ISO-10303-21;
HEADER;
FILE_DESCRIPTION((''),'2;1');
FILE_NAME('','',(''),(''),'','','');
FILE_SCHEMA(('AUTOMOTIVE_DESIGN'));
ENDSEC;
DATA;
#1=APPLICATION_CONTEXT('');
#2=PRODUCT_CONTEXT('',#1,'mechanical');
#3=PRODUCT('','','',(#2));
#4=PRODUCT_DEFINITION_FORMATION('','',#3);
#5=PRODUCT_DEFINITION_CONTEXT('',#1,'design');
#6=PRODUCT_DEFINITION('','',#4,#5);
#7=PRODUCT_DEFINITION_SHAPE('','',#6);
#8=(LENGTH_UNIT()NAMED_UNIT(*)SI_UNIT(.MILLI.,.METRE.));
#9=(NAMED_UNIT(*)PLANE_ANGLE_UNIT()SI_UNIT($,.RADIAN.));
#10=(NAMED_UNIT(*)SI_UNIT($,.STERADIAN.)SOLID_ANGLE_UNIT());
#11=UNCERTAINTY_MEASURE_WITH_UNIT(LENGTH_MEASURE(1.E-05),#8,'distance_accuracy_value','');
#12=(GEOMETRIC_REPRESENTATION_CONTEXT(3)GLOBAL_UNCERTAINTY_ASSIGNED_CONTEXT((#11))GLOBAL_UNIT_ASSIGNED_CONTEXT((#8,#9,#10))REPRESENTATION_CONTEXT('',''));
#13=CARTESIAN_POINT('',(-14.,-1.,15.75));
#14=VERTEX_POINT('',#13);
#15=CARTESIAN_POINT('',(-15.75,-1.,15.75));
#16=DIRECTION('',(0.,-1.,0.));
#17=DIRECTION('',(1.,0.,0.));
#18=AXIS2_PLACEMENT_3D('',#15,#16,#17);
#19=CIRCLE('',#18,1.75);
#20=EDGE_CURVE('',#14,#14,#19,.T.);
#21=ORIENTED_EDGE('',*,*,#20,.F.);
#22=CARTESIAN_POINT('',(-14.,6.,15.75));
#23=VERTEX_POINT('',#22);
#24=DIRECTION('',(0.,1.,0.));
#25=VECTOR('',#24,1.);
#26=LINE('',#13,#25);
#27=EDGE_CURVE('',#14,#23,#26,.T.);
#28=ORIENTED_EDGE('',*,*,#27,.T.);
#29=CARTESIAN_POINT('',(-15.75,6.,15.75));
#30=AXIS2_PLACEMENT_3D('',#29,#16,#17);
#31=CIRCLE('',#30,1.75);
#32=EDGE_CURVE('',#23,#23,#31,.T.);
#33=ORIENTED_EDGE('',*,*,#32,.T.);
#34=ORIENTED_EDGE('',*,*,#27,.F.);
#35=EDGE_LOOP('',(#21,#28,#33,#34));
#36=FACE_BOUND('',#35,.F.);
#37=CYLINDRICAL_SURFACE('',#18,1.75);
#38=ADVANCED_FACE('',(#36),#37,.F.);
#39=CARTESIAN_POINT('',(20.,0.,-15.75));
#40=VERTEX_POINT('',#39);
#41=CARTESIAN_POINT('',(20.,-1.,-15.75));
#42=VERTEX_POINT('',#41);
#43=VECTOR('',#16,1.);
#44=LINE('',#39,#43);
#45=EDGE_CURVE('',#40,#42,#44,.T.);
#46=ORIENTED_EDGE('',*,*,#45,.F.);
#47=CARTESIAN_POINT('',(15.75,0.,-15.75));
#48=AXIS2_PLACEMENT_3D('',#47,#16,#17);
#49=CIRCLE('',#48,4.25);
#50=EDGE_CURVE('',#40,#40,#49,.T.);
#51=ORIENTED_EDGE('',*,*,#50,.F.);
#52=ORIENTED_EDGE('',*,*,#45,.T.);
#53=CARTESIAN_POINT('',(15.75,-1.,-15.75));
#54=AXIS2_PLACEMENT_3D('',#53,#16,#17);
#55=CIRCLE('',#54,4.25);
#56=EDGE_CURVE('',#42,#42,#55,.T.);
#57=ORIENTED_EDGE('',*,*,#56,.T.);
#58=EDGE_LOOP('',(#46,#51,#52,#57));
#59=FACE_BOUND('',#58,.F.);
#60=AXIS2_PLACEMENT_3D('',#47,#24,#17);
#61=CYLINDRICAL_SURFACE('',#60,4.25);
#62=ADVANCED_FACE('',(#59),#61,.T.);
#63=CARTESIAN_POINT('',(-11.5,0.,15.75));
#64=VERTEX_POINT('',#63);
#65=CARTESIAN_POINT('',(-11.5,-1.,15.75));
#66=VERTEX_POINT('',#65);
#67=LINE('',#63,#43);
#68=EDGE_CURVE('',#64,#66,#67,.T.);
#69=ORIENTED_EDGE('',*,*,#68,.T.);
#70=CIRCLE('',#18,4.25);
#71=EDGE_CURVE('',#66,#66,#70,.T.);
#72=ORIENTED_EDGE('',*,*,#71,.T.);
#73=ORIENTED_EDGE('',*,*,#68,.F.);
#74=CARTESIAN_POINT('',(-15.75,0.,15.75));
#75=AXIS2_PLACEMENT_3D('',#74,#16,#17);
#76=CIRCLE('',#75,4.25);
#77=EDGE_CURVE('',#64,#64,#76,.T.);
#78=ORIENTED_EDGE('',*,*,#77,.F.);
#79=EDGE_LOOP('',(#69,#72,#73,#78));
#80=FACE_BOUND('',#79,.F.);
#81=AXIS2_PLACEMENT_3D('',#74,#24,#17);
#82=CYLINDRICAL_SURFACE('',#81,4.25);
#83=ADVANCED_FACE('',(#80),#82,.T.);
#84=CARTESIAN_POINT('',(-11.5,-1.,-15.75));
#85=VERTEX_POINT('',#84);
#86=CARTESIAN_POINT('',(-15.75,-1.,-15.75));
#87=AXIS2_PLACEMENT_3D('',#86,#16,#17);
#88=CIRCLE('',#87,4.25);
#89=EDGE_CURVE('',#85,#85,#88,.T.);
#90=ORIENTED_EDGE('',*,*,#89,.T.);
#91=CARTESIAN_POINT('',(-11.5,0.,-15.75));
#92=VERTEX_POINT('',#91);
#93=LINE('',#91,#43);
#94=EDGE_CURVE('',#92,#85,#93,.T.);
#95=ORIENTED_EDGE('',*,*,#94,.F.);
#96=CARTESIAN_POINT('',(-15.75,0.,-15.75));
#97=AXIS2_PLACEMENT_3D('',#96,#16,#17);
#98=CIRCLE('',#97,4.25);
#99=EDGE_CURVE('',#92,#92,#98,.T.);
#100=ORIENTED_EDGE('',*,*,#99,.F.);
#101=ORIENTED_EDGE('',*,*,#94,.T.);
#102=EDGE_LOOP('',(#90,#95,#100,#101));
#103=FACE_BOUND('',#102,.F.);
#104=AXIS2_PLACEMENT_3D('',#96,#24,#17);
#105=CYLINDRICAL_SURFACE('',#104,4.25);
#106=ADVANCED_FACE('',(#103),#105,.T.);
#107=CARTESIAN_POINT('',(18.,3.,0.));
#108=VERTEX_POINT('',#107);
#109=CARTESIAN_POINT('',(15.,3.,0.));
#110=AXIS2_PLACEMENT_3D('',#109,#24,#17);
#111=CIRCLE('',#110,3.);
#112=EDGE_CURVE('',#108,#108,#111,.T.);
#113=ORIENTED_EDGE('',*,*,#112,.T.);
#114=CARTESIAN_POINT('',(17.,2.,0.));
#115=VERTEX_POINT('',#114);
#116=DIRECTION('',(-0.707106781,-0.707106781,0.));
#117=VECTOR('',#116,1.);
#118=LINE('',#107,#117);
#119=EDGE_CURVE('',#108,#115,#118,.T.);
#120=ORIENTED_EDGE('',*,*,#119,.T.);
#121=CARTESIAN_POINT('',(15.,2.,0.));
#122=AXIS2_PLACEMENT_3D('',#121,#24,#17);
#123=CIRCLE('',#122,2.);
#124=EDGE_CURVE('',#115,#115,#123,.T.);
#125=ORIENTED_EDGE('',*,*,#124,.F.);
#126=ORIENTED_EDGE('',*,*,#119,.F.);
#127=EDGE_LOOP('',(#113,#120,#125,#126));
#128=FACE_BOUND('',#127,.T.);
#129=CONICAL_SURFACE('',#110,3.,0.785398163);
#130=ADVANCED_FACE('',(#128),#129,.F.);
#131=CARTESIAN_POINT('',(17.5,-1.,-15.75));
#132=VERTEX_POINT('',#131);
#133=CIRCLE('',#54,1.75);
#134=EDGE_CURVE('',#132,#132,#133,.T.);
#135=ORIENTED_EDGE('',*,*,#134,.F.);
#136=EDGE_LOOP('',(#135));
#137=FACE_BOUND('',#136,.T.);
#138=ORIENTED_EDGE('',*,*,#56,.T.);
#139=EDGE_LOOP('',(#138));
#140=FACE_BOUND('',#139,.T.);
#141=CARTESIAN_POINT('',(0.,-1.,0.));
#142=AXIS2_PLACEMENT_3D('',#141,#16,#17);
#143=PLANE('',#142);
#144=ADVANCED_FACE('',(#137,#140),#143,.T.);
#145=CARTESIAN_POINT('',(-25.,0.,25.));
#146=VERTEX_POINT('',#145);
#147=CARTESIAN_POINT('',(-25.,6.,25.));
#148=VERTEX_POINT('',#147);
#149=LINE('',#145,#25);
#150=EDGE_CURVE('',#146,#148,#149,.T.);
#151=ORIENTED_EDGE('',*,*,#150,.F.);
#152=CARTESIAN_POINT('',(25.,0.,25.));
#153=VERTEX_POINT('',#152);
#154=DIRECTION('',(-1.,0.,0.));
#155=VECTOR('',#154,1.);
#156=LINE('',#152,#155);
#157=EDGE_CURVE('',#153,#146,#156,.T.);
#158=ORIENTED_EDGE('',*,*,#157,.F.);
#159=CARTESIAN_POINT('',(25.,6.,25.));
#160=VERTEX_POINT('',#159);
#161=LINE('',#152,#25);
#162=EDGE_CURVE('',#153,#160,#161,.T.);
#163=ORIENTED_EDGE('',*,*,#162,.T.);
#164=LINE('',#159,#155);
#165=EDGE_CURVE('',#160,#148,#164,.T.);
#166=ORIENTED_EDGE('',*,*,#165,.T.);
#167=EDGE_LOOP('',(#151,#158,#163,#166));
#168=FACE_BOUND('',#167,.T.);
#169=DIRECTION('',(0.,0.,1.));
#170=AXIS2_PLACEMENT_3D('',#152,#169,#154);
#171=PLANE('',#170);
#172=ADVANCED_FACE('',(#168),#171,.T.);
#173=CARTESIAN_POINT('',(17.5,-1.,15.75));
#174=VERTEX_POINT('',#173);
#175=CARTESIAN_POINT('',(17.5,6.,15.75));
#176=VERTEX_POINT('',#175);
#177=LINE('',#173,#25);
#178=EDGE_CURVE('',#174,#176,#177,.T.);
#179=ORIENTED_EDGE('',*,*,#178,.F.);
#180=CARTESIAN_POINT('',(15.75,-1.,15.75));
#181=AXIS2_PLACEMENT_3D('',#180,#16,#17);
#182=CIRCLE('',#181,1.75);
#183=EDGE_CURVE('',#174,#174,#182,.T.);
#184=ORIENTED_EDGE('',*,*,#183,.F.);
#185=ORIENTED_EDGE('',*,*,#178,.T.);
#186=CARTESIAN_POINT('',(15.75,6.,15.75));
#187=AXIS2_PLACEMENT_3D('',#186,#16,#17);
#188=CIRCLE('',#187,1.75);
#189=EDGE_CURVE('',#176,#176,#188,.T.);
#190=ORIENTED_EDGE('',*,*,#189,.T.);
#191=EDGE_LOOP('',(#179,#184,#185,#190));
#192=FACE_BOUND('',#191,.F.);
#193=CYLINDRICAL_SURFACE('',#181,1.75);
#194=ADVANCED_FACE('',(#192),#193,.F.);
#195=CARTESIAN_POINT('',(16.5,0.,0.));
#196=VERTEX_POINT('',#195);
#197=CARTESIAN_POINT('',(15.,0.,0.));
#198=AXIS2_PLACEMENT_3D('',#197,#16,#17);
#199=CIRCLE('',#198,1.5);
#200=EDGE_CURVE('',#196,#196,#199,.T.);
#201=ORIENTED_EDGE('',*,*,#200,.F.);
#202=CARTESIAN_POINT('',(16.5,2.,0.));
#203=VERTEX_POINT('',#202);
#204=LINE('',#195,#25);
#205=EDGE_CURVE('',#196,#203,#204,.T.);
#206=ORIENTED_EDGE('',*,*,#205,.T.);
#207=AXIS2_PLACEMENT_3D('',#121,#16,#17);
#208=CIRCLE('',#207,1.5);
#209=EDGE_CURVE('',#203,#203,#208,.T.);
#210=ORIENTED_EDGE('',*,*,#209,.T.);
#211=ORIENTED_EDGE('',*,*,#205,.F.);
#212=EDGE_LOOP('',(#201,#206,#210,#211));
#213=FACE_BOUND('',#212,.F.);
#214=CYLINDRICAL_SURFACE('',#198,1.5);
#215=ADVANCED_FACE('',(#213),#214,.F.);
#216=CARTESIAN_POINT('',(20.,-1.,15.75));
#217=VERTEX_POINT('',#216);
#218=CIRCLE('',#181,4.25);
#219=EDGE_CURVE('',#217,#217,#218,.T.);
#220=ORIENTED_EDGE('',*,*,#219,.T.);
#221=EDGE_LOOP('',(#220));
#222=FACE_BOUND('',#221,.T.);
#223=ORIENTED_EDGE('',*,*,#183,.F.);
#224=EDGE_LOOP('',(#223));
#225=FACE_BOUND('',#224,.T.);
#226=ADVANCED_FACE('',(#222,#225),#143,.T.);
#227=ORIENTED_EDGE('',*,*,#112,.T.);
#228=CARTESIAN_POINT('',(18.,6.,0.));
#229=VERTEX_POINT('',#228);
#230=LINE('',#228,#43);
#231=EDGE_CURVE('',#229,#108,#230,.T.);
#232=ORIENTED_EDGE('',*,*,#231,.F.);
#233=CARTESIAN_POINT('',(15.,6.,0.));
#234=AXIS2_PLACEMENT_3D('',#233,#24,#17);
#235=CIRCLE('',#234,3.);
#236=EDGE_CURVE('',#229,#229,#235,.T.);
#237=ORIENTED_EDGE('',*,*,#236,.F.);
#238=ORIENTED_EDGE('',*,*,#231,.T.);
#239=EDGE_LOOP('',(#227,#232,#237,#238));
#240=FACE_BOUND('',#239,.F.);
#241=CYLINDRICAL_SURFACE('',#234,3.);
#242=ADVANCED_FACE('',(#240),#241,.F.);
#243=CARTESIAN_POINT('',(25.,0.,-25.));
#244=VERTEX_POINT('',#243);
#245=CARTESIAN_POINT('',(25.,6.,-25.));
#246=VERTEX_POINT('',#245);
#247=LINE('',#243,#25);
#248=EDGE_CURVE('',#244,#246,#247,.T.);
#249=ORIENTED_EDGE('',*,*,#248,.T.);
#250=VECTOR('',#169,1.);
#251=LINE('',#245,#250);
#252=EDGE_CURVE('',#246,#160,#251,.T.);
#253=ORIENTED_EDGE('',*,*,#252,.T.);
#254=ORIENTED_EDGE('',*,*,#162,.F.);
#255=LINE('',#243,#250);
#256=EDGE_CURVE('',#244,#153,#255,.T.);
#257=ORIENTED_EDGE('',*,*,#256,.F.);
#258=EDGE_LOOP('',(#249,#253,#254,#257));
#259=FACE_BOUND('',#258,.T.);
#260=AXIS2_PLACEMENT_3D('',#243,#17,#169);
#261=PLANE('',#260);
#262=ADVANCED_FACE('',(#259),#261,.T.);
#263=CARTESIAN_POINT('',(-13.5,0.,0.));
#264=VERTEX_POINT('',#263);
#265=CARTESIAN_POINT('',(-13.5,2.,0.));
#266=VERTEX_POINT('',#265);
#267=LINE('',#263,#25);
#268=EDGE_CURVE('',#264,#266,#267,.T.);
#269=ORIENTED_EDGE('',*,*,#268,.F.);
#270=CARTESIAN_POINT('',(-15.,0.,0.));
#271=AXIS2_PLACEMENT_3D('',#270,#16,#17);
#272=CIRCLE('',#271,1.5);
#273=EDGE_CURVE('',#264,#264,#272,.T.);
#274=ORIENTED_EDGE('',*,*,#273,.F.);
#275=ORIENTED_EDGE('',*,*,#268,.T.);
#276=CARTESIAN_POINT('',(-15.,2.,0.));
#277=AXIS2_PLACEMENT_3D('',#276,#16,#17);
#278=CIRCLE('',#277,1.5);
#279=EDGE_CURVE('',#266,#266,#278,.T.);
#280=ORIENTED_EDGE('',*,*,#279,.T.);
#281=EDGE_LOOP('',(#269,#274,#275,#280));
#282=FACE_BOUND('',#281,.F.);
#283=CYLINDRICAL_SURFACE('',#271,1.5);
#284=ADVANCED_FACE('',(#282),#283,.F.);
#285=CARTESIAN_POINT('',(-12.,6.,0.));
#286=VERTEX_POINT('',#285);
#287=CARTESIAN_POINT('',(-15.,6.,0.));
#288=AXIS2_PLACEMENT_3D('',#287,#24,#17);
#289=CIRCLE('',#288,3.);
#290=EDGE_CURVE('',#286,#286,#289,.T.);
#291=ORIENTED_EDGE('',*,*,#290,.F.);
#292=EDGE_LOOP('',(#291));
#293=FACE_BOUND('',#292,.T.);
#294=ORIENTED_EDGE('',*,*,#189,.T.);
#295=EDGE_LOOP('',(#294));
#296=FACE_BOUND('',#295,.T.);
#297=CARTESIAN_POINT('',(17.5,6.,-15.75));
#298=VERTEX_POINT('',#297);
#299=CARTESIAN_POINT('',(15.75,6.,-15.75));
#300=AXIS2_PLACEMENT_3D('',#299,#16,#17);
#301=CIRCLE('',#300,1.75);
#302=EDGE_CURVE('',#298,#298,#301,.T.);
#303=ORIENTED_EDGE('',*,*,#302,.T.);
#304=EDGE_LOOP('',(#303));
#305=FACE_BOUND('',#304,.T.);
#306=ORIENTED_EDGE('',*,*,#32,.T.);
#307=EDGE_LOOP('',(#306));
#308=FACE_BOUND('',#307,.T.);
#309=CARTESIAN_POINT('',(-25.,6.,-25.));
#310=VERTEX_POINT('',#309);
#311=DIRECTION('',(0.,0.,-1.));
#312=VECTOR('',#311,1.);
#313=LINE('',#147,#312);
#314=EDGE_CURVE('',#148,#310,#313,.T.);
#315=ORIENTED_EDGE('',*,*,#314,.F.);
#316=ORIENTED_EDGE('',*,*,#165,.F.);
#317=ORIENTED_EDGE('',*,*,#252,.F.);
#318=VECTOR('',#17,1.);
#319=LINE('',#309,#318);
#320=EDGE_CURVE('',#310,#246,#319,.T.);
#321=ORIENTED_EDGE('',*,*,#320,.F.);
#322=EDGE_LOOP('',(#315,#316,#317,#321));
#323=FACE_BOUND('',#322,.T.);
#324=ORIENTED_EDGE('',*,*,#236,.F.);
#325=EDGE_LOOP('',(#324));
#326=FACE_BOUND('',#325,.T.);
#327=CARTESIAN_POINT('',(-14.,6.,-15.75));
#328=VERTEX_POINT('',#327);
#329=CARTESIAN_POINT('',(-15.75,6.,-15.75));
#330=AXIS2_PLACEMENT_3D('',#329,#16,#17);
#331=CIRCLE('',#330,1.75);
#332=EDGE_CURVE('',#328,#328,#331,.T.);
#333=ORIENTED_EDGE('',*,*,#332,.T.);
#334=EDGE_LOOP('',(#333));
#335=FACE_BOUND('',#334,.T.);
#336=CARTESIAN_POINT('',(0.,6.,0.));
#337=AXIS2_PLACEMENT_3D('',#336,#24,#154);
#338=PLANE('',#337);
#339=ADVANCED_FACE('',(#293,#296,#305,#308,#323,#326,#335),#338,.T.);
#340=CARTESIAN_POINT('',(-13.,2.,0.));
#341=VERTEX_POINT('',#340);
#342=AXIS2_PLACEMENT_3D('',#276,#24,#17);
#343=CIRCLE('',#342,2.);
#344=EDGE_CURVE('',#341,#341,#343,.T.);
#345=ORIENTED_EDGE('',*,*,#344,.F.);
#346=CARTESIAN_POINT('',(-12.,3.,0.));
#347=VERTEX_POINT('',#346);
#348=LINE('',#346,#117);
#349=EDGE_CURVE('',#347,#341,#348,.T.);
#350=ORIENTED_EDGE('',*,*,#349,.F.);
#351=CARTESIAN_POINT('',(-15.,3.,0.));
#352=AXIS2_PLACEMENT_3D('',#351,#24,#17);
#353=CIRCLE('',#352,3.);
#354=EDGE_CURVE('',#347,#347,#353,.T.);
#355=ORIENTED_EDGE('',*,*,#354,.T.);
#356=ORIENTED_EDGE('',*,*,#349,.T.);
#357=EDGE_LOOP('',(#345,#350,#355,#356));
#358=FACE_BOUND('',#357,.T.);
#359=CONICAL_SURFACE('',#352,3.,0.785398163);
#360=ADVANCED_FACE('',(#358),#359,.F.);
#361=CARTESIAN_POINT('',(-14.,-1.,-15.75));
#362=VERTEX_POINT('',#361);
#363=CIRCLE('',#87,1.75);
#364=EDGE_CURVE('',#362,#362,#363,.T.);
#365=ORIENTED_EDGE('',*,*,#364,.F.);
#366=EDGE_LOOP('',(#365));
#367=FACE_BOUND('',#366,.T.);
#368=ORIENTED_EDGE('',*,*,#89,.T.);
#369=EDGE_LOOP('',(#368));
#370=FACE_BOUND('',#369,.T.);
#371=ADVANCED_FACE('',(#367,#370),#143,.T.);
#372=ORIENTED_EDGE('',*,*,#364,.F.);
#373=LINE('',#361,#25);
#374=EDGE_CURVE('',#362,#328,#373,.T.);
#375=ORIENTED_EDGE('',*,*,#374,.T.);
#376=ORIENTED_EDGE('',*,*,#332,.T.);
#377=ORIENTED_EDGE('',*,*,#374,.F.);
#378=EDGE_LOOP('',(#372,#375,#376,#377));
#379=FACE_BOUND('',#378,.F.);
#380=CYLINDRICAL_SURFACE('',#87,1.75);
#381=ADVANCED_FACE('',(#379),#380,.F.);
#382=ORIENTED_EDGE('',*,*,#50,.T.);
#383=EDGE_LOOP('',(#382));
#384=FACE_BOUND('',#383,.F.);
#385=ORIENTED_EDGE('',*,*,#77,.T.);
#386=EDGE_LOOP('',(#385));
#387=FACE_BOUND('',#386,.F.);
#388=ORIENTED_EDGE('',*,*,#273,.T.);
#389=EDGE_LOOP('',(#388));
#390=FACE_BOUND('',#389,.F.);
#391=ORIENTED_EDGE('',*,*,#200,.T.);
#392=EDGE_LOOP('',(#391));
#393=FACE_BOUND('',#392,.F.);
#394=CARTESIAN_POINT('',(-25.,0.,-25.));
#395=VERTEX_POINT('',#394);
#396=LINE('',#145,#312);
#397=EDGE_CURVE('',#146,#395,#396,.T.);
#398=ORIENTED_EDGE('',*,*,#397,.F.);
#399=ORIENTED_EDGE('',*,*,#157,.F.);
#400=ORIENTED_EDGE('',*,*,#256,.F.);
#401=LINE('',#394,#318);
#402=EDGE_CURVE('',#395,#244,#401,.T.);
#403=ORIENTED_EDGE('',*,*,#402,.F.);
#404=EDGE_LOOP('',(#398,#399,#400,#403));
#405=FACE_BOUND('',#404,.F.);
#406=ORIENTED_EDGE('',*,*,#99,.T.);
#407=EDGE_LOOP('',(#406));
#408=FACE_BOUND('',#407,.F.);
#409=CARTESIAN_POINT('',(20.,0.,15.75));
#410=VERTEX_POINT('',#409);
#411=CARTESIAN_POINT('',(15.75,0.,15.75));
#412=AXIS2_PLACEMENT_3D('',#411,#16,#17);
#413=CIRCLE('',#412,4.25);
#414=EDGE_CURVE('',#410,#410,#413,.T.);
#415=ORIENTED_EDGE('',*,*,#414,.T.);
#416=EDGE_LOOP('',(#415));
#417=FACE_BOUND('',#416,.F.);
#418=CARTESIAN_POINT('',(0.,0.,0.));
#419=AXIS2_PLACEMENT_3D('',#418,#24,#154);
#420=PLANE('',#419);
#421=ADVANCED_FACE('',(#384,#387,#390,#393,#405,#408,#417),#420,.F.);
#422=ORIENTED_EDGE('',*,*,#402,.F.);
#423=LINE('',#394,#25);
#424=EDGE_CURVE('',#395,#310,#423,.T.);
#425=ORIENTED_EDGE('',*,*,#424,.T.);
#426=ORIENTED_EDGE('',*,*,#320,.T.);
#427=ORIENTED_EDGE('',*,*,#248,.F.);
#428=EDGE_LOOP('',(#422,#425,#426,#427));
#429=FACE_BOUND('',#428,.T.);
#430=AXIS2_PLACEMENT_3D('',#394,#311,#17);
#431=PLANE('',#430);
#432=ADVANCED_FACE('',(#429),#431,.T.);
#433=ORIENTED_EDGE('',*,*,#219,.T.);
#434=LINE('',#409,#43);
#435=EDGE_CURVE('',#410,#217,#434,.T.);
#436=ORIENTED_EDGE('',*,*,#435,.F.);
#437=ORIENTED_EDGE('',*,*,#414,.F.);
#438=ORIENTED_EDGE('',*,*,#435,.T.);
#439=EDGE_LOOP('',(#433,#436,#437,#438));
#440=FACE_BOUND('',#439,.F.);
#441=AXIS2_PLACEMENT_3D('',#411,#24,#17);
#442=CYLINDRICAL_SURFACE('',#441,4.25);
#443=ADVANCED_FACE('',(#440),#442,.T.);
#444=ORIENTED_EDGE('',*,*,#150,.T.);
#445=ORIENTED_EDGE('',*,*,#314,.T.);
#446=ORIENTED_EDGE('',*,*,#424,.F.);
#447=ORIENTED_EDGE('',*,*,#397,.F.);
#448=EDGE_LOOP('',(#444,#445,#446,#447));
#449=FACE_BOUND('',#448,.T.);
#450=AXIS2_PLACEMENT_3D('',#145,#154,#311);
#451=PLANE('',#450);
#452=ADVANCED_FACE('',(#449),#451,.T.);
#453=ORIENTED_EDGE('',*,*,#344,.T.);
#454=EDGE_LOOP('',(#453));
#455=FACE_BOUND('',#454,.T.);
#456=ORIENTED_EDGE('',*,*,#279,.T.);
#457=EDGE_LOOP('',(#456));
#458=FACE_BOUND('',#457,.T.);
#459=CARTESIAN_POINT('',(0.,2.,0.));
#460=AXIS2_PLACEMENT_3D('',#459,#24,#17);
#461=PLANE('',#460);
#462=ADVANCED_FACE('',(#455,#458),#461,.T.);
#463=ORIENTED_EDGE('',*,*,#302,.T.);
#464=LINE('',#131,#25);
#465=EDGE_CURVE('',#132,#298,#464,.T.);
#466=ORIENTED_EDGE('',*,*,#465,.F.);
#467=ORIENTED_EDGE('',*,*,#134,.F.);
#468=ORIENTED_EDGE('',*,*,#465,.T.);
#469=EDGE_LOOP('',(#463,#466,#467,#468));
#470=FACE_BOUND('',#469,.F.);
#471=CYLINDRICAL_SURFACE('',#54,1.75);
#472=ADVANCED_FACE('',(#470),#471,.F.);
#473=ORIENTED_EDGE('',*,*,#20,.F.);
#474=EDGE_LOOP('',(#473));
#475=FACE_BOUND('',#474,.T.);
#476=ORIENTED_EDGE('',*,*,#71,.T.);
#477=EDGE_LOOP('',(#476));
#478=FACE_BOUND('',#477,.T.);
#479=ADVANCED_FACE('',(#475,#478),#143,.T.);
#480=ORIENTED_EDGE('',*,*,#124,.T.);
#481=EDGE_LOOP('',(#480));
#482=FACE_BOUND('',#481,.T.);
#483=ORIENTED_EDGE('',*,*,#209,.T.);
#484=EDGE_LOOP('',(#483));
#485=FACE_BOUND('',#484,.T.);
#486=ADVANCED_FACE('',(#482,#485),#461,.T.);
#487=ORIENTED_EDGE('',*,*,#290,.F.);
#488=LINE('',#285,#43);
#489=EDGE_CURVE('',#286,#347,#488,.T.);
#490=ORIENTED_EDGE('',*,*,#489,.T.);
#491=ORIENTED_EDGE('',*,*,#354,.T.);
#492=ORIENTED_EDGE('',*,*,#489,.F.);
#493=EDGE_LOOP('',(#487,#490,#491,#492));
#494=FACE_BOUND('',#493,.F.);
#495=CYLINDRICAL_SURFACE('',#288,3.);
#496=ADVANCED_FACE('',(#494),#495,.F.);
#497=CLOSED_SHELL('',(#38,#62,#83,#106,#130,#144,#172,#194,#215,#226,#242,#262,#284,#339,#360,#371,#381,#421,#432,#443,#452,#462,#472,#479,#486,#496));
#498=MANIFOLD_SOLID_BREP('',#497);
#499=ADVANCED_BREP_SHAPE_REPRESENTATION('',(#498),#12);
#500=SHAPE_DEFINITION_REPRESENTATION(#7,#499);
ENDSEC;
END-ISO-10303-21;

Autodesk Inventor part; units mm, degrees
ref_plane "YZ Plane" through (0, 0, 0) normal (1, 0, 0) x (0, 1, 0)
ref_plane "XZ Plane" through (0, 0, 0) normal (0, 1, 0) x (-1, 0, 0)
ref_plane "XY Plane" through (0, 0, 0) normal (0, 0, 1) x (1, 0, 0)
sketch "Skizze1" plane through (0, 0, 0) normal (0, 1, 0) x (-1, 0, 0)
  line L0 (25, -25) -> (-25, -25)
  line L1 (-25, -25) -> (-25, 25)
  line L2 (-25, 25) -> (25, 25)
  line L3 (25, 25) -> (25, -25)
  line L4 (25, -25) -> (-25, 25) construction
  line L5 (-25, -25) -> (25, 25) construction
  point P0 (0, 0)
  dimension "d0" = 50
  dimension "d1" = 50
extrude "Extrusion1" add sketch "Skizze1" along normal blind 6
sketch "Skizze2" plane through (0, 0, 0) normal (0, -1, 0) x (1, 0, 0)
  circle A0 centre (-15.75, 15.75) radius 4.25
  circle A1 centre (15.75, 15.75) radius 4.25
  circle A2 centre (15.75, -15.75) radius 4.25
  circle A3 centre (-15.75, -15.75) radius 4.25
  line L0 (-35, 0) -> (35, 0) projected
  line L1 (0, 35) -> (0, -35) projected
  point P0 (0, 0)
  dimension "d4" = 31.5
  dimension "d5" = 31.5
  dimension "d6" = 31.5
  dimension "d7" = 31.5
  dimension "d8" = 15.75
  dimension "d9" = 15.75
  dimension "d10" = 15.75
  dimension "d11" = 15.75
  dimension "d12" = 8.5
  dimension "d13" = 8.5
  dimension "d14" = 8.5
  dimension "d15" = 8.5
extrude "Extrusion2" add sketch "Skizze2" along normal blind 1
sketch "Skizze3" plane through (-15.75, -1, 15.75) normal (0, -1, 0) x (1, 0, 0)
  circle A0 centre (0, 0) radius 4.25 projected
  circle A1 centre (0, 0) radius 1.75
  circle A2 centre (31.5, 0) radius 4.25 projected
  circle A3 centre (31.5, 0) radius 1.75
  circle A4 centre (31.5, -31.5) radius 4.25 projected
  circle A5 centre (31.5, -31.5) radius 1.75
  circle A6 centre (0, -31.5) radius 4.25 projected
  circle A7 centre (0, -31.5) radius 1.75
  point P0 (15.75, -15.75)
  dimension "d18" = 3.5
  dimension "d19" = 3.5
  dimension "d20" = 3.5
  dimension "d21" = 3.5
extrude "Extrusion3" cut sketch "Skizze3" against normal blind 13 contours A1 | A3 | A5 | A7
sketch "Skizze4" plane through (0, 0, 0) normal (0, -1, 0) x (1, 0, 0)
  circle A0 centre (-15, 0) radius 1.5
  circle A1 centre (15, 0) radius 1.5
  line L0 (0, 35) -> (0, -35) projected
  point P0 (0, 0)
  dimension "d24" = 30
  dimension "d25" = 15
  dimension "d26" = 3
  dimension "d27" = 3
extrude "Extrusion4" cut sketch "Skizze4" against normal blind 13
sketch "Skizze7" plane through (0, 6, 0) normal (0, 1, 0) x (1, 0, 0)
  circle A0 centre (15, 0) radius 1.5 projected
  circle A1 centre (15, 0) radius 3
  circle A2 centre (-15, 0) radius 1.5 projected
  circle A3 centre (-15, 0) radius 3
  point P0 (0, 0)
  dimension "d39" = 6
  dimension "d40" = 6
extrude "Extrusion5" cut sketch "Skizze7" against normal blind 4 contours A0 | A1 | A2 | A3
chamfer "Fase1" distance 1 angle 45 2 edges at (12, 2, 0) (-18, 2, 0)
equation "\"d8\" = 0.5 * d6"
equation "\"d9\" = 0.5 * d7"
equation "\"d10\" = 0.5 * d5"
equation "\"d11\" = 0.5 * d4"
equation "\"d25\" = 0.5 * d24"
properties part number "Lagerhalterung"
